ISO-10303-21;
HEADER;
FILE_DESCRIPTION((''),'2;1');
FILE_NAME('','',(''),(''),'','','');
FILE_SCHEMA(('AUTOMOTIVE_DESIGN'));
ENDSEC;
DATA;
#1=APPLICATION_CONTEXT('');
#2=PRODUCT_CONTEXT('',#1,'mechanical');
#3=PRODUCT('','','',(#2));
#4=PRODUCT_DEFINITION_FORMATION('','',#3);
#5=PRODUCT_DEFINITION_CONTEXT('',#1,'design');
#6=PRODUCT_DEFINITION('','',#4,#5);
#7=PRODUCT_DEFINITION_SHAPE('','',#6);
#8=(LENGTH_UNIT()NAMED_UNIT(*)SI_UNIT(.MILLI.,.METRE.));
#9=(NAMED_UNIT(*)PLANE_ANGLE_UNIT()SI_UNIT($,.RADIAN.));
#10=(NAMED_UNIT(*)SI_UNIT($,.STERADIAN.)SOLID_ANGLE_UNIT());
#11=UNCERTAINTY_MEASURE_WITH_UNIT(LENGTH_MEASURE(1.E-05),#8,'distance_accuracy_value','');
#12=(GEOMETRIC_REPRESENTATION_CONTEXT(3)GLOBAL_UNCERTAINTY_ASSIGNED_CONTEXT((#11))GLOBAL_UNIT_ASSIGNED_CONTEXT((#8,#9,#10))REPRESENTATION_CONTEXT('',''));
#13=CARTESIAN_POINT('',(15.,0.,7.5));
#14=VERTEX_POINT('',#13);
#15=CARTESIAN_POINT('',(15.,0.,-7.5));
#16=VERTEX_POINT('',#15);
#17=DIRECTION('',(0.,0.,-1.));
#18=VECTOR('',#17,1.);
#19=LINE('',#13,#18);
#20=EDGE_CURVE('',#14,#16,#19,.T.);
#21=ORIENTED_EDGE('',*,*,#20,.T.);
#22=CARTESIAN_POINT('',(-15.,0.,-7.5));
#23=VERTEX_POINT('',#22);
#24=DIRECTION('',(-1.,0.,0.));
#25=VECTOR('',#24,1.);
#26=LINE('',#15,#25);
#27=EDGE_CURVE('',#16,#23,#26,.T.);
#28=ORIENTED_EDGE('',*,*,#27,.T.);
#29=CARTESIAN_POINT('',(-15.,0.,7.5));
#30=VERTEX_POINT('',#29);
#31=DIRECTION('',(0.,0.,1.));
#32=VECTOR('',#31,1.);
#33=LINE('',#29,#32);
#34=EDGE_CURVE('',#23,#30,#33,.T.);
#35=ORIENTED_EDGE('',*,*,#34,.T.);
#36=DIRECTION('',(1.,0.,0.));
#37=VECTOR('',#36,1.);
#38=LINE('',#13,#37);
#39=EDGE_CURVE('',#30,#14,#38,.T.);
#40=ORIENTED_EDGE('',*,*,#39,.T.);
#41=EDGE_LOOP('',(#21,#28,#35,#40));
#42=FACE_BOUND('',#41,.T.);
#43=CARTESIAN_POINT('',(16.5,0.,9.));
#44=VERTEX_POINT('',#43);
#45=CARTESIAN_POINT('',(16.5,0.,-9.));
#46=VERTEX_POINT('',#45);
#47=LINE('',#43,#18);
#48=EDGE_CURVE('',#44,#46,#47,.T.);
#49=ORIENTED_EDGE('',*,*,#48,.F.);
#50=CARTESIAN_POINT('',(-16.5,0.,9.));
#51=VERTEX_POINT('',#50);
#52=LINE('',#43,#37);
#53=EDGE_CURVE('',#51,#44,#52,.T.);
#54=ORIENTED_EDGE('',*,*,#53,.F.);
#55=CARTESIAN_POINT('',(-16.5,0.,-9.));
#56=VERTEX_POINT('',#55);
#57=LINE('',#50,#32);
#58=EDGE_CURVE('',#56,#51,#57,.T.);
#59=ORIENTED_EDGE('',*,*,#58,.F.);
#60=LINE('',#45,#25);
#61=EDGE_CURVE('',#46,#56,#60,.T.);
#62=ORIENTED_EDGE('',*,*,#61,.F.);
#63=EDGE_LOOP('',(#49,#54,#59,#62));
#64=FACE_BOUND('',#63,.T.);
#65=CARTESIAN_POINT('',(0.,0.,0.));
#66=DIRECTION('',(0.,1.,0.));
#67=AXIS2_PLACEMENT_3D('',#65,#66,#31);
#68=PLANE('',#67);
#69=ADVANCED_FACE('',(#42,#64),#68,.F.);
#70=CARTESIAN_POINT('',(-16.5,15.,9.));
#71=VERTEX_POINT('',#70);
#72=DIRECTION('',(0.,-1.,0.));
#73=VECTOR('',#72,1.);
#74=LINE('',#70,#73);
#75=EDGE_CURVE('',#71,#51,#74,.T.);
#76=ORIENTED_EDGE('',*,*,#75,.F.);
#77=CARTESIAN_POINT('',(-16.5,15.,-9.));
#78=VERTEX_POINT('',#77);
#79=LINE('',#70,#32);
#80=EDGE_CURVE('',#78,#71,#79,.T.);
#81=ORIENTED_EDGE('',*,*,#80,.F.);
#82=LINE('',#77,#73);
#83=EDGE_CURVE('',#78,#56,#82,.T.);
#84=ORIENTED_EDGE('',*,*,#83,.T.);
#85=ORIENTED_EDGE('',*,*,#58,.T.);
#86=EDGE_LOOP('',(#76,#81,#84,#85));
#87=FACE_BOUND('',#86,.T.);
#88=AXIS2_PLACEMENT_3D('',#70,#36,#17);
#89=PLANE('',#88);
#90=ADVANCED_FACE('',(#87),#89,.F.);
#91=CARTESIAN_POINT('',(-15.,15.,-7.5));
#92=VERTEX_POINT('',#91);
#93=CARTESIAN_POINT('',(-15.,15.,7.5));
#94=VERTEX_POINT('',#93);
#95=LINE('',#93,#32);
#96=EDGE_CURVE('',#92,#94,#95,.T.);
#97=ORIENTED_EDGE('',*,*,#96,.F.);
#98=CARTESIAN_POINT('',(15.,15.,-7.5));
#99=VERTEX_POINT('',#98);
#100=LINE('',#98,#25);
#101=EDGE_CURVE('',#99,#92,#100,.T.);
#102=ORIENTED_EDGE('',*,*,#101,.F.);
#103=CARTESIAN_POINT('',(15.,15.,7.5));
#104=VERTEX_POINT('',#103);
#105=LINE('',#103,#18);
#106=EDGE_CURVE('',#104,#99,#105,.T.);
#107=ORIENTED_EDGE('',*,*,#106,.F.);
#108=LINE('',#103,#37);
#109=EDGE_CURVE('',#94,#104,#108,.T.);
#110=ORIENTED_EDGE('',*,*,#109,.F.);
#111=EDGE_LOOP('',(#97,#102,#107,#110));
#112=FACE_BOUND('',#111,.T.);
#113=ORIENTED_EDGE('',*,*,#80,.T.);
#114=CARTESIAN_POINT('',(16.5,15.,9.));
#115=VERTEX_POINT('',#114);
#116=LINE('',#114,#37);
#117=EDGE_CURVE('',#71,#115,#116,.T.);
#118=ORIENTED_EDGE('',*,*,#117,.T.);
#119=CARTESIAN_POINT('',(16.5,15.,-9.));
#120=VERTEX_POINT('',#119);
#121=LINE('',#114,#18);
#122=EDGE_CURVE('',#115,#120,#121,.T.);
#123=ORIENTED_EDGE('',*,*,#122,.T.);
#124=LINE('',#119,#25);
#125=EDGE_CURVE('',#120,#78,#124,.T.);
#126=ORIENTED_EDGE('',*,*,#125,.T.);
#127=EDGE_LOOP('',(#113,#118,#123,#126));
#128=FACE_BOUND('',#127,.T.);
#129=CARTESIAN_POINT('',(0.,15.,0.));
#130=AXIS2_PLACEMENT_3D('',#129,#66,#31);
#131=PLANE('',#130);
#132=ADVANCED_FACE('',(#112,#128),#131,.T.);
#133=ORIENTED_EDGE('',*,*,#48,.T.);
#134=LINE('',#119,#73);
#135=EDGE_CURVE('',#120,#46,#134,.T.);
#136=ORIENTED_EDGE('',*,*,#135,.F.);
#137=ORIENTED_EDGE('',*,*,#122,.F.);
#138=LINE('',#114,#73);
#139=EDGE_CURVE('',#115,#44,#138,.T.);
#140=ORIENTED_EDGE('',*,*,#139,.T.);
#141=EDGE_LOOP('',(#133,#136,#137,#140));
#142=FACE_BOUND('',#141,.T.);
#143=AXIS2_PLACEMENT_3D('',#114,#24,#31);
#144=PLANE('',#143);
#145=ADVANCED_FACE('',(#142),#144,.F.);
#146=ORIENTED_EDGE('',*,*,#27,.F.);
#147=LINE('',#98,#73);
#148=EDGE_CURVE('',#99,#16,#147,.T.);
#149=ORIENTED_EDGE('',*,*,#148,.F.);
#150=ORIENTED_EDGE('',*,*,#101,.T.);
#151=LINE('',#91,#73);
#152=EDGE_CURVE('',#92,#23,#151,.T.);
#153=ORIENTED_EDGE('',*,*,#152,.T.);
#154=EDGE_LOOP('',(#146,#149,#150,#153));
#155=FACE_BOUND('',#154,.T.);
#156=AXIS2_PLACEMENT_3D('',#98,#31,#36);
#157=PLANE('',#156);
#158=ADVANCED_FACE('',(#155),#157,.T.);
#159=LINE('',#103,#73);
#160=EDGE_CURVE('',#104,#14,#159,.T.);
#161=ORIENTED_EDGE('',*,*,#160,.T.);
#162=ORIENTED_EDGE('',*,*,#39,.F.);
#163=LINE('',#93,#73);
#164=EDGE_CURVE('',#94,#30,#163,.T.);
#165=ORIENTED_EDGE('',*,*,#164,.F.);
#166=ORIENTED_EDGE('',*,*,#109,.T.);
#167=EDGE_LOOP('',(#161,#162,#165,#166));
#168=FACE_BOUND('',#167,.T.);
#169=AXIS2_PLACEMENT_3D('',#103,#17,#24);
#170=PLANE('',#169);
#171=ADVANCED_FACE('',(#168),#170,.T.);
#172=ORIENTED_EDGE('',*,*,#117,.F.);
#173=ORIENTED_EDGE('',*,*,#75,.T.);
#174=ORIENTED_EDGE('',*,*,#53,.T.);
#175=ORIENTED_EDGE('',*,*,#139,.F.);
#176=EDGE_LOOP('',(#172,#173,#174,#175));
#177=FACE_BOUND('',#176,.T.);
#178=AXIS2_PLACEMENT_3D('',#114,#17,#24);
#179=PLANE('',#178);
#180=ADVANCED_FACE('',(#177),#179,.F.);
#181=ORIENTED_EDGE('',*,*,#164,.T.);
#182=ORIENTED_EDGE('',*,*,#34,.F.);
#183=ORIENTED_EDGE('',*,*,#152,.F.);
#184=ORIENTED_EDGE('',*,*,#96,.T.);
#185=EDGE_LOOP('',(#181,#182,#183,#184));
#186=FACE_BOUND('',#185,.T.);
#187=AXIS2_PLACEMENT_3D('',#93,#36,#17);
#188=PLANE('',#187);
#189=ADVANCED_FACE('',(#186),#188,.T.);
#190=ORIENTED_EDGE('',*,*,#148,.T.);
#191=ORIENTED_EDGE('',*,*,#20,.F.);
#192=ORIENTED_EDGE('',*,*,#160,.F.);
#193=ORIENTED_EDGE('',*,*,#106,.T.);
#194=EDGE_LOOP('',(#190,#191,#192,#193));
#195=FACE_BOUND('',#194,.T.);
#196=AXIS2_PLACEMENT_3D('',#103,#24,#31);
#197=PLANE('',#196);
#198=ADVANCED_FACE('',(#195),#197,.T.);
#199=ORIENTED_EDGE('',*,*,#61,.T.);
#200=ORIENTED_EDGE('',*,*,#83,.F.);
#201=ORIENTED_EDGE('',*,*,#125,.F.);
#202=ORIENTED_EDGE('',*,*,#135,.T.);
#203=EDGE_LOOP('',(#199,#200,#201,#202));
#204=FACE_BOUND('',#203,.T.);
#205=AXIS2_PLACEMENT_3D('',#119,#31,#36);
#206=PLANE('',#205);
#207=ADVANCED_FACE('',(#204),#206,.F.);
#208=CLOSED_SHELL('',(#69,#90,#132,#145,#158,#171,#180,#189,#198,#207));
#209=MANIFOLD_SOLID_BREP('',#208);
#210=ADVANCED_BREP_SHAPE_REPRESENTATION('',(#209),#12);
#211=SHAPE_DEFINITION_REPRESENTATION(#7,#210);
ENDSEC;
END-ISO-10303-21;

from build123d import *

# Parameters (mm, degrees)
SKETCH1_W           = 33
SKETCH1_H           = 18
SKETCH1_W_2         = 30
SKETCH1_H_2         = 15
BOSS_EXTRUDE1_DEPTH = 15


with BuildPart() as part:
    # Sketch1 → Boss-Extrude1 (new body)
    with BuildSketch(Plane(origin=(0, 0, 0), x_dir=(1, 0, 0), z_dir=(0, 1, 0))):
        Rectangle(SKETCH1_W, SKETCH1_H)
        Rectangle(SKETCH1_W_2, SKETCH1_H_2, mode=Mode.SUBTRACT)
    extrude(amount=BOSS_EXTRUDE1_DEPTH)


solid = part.part
